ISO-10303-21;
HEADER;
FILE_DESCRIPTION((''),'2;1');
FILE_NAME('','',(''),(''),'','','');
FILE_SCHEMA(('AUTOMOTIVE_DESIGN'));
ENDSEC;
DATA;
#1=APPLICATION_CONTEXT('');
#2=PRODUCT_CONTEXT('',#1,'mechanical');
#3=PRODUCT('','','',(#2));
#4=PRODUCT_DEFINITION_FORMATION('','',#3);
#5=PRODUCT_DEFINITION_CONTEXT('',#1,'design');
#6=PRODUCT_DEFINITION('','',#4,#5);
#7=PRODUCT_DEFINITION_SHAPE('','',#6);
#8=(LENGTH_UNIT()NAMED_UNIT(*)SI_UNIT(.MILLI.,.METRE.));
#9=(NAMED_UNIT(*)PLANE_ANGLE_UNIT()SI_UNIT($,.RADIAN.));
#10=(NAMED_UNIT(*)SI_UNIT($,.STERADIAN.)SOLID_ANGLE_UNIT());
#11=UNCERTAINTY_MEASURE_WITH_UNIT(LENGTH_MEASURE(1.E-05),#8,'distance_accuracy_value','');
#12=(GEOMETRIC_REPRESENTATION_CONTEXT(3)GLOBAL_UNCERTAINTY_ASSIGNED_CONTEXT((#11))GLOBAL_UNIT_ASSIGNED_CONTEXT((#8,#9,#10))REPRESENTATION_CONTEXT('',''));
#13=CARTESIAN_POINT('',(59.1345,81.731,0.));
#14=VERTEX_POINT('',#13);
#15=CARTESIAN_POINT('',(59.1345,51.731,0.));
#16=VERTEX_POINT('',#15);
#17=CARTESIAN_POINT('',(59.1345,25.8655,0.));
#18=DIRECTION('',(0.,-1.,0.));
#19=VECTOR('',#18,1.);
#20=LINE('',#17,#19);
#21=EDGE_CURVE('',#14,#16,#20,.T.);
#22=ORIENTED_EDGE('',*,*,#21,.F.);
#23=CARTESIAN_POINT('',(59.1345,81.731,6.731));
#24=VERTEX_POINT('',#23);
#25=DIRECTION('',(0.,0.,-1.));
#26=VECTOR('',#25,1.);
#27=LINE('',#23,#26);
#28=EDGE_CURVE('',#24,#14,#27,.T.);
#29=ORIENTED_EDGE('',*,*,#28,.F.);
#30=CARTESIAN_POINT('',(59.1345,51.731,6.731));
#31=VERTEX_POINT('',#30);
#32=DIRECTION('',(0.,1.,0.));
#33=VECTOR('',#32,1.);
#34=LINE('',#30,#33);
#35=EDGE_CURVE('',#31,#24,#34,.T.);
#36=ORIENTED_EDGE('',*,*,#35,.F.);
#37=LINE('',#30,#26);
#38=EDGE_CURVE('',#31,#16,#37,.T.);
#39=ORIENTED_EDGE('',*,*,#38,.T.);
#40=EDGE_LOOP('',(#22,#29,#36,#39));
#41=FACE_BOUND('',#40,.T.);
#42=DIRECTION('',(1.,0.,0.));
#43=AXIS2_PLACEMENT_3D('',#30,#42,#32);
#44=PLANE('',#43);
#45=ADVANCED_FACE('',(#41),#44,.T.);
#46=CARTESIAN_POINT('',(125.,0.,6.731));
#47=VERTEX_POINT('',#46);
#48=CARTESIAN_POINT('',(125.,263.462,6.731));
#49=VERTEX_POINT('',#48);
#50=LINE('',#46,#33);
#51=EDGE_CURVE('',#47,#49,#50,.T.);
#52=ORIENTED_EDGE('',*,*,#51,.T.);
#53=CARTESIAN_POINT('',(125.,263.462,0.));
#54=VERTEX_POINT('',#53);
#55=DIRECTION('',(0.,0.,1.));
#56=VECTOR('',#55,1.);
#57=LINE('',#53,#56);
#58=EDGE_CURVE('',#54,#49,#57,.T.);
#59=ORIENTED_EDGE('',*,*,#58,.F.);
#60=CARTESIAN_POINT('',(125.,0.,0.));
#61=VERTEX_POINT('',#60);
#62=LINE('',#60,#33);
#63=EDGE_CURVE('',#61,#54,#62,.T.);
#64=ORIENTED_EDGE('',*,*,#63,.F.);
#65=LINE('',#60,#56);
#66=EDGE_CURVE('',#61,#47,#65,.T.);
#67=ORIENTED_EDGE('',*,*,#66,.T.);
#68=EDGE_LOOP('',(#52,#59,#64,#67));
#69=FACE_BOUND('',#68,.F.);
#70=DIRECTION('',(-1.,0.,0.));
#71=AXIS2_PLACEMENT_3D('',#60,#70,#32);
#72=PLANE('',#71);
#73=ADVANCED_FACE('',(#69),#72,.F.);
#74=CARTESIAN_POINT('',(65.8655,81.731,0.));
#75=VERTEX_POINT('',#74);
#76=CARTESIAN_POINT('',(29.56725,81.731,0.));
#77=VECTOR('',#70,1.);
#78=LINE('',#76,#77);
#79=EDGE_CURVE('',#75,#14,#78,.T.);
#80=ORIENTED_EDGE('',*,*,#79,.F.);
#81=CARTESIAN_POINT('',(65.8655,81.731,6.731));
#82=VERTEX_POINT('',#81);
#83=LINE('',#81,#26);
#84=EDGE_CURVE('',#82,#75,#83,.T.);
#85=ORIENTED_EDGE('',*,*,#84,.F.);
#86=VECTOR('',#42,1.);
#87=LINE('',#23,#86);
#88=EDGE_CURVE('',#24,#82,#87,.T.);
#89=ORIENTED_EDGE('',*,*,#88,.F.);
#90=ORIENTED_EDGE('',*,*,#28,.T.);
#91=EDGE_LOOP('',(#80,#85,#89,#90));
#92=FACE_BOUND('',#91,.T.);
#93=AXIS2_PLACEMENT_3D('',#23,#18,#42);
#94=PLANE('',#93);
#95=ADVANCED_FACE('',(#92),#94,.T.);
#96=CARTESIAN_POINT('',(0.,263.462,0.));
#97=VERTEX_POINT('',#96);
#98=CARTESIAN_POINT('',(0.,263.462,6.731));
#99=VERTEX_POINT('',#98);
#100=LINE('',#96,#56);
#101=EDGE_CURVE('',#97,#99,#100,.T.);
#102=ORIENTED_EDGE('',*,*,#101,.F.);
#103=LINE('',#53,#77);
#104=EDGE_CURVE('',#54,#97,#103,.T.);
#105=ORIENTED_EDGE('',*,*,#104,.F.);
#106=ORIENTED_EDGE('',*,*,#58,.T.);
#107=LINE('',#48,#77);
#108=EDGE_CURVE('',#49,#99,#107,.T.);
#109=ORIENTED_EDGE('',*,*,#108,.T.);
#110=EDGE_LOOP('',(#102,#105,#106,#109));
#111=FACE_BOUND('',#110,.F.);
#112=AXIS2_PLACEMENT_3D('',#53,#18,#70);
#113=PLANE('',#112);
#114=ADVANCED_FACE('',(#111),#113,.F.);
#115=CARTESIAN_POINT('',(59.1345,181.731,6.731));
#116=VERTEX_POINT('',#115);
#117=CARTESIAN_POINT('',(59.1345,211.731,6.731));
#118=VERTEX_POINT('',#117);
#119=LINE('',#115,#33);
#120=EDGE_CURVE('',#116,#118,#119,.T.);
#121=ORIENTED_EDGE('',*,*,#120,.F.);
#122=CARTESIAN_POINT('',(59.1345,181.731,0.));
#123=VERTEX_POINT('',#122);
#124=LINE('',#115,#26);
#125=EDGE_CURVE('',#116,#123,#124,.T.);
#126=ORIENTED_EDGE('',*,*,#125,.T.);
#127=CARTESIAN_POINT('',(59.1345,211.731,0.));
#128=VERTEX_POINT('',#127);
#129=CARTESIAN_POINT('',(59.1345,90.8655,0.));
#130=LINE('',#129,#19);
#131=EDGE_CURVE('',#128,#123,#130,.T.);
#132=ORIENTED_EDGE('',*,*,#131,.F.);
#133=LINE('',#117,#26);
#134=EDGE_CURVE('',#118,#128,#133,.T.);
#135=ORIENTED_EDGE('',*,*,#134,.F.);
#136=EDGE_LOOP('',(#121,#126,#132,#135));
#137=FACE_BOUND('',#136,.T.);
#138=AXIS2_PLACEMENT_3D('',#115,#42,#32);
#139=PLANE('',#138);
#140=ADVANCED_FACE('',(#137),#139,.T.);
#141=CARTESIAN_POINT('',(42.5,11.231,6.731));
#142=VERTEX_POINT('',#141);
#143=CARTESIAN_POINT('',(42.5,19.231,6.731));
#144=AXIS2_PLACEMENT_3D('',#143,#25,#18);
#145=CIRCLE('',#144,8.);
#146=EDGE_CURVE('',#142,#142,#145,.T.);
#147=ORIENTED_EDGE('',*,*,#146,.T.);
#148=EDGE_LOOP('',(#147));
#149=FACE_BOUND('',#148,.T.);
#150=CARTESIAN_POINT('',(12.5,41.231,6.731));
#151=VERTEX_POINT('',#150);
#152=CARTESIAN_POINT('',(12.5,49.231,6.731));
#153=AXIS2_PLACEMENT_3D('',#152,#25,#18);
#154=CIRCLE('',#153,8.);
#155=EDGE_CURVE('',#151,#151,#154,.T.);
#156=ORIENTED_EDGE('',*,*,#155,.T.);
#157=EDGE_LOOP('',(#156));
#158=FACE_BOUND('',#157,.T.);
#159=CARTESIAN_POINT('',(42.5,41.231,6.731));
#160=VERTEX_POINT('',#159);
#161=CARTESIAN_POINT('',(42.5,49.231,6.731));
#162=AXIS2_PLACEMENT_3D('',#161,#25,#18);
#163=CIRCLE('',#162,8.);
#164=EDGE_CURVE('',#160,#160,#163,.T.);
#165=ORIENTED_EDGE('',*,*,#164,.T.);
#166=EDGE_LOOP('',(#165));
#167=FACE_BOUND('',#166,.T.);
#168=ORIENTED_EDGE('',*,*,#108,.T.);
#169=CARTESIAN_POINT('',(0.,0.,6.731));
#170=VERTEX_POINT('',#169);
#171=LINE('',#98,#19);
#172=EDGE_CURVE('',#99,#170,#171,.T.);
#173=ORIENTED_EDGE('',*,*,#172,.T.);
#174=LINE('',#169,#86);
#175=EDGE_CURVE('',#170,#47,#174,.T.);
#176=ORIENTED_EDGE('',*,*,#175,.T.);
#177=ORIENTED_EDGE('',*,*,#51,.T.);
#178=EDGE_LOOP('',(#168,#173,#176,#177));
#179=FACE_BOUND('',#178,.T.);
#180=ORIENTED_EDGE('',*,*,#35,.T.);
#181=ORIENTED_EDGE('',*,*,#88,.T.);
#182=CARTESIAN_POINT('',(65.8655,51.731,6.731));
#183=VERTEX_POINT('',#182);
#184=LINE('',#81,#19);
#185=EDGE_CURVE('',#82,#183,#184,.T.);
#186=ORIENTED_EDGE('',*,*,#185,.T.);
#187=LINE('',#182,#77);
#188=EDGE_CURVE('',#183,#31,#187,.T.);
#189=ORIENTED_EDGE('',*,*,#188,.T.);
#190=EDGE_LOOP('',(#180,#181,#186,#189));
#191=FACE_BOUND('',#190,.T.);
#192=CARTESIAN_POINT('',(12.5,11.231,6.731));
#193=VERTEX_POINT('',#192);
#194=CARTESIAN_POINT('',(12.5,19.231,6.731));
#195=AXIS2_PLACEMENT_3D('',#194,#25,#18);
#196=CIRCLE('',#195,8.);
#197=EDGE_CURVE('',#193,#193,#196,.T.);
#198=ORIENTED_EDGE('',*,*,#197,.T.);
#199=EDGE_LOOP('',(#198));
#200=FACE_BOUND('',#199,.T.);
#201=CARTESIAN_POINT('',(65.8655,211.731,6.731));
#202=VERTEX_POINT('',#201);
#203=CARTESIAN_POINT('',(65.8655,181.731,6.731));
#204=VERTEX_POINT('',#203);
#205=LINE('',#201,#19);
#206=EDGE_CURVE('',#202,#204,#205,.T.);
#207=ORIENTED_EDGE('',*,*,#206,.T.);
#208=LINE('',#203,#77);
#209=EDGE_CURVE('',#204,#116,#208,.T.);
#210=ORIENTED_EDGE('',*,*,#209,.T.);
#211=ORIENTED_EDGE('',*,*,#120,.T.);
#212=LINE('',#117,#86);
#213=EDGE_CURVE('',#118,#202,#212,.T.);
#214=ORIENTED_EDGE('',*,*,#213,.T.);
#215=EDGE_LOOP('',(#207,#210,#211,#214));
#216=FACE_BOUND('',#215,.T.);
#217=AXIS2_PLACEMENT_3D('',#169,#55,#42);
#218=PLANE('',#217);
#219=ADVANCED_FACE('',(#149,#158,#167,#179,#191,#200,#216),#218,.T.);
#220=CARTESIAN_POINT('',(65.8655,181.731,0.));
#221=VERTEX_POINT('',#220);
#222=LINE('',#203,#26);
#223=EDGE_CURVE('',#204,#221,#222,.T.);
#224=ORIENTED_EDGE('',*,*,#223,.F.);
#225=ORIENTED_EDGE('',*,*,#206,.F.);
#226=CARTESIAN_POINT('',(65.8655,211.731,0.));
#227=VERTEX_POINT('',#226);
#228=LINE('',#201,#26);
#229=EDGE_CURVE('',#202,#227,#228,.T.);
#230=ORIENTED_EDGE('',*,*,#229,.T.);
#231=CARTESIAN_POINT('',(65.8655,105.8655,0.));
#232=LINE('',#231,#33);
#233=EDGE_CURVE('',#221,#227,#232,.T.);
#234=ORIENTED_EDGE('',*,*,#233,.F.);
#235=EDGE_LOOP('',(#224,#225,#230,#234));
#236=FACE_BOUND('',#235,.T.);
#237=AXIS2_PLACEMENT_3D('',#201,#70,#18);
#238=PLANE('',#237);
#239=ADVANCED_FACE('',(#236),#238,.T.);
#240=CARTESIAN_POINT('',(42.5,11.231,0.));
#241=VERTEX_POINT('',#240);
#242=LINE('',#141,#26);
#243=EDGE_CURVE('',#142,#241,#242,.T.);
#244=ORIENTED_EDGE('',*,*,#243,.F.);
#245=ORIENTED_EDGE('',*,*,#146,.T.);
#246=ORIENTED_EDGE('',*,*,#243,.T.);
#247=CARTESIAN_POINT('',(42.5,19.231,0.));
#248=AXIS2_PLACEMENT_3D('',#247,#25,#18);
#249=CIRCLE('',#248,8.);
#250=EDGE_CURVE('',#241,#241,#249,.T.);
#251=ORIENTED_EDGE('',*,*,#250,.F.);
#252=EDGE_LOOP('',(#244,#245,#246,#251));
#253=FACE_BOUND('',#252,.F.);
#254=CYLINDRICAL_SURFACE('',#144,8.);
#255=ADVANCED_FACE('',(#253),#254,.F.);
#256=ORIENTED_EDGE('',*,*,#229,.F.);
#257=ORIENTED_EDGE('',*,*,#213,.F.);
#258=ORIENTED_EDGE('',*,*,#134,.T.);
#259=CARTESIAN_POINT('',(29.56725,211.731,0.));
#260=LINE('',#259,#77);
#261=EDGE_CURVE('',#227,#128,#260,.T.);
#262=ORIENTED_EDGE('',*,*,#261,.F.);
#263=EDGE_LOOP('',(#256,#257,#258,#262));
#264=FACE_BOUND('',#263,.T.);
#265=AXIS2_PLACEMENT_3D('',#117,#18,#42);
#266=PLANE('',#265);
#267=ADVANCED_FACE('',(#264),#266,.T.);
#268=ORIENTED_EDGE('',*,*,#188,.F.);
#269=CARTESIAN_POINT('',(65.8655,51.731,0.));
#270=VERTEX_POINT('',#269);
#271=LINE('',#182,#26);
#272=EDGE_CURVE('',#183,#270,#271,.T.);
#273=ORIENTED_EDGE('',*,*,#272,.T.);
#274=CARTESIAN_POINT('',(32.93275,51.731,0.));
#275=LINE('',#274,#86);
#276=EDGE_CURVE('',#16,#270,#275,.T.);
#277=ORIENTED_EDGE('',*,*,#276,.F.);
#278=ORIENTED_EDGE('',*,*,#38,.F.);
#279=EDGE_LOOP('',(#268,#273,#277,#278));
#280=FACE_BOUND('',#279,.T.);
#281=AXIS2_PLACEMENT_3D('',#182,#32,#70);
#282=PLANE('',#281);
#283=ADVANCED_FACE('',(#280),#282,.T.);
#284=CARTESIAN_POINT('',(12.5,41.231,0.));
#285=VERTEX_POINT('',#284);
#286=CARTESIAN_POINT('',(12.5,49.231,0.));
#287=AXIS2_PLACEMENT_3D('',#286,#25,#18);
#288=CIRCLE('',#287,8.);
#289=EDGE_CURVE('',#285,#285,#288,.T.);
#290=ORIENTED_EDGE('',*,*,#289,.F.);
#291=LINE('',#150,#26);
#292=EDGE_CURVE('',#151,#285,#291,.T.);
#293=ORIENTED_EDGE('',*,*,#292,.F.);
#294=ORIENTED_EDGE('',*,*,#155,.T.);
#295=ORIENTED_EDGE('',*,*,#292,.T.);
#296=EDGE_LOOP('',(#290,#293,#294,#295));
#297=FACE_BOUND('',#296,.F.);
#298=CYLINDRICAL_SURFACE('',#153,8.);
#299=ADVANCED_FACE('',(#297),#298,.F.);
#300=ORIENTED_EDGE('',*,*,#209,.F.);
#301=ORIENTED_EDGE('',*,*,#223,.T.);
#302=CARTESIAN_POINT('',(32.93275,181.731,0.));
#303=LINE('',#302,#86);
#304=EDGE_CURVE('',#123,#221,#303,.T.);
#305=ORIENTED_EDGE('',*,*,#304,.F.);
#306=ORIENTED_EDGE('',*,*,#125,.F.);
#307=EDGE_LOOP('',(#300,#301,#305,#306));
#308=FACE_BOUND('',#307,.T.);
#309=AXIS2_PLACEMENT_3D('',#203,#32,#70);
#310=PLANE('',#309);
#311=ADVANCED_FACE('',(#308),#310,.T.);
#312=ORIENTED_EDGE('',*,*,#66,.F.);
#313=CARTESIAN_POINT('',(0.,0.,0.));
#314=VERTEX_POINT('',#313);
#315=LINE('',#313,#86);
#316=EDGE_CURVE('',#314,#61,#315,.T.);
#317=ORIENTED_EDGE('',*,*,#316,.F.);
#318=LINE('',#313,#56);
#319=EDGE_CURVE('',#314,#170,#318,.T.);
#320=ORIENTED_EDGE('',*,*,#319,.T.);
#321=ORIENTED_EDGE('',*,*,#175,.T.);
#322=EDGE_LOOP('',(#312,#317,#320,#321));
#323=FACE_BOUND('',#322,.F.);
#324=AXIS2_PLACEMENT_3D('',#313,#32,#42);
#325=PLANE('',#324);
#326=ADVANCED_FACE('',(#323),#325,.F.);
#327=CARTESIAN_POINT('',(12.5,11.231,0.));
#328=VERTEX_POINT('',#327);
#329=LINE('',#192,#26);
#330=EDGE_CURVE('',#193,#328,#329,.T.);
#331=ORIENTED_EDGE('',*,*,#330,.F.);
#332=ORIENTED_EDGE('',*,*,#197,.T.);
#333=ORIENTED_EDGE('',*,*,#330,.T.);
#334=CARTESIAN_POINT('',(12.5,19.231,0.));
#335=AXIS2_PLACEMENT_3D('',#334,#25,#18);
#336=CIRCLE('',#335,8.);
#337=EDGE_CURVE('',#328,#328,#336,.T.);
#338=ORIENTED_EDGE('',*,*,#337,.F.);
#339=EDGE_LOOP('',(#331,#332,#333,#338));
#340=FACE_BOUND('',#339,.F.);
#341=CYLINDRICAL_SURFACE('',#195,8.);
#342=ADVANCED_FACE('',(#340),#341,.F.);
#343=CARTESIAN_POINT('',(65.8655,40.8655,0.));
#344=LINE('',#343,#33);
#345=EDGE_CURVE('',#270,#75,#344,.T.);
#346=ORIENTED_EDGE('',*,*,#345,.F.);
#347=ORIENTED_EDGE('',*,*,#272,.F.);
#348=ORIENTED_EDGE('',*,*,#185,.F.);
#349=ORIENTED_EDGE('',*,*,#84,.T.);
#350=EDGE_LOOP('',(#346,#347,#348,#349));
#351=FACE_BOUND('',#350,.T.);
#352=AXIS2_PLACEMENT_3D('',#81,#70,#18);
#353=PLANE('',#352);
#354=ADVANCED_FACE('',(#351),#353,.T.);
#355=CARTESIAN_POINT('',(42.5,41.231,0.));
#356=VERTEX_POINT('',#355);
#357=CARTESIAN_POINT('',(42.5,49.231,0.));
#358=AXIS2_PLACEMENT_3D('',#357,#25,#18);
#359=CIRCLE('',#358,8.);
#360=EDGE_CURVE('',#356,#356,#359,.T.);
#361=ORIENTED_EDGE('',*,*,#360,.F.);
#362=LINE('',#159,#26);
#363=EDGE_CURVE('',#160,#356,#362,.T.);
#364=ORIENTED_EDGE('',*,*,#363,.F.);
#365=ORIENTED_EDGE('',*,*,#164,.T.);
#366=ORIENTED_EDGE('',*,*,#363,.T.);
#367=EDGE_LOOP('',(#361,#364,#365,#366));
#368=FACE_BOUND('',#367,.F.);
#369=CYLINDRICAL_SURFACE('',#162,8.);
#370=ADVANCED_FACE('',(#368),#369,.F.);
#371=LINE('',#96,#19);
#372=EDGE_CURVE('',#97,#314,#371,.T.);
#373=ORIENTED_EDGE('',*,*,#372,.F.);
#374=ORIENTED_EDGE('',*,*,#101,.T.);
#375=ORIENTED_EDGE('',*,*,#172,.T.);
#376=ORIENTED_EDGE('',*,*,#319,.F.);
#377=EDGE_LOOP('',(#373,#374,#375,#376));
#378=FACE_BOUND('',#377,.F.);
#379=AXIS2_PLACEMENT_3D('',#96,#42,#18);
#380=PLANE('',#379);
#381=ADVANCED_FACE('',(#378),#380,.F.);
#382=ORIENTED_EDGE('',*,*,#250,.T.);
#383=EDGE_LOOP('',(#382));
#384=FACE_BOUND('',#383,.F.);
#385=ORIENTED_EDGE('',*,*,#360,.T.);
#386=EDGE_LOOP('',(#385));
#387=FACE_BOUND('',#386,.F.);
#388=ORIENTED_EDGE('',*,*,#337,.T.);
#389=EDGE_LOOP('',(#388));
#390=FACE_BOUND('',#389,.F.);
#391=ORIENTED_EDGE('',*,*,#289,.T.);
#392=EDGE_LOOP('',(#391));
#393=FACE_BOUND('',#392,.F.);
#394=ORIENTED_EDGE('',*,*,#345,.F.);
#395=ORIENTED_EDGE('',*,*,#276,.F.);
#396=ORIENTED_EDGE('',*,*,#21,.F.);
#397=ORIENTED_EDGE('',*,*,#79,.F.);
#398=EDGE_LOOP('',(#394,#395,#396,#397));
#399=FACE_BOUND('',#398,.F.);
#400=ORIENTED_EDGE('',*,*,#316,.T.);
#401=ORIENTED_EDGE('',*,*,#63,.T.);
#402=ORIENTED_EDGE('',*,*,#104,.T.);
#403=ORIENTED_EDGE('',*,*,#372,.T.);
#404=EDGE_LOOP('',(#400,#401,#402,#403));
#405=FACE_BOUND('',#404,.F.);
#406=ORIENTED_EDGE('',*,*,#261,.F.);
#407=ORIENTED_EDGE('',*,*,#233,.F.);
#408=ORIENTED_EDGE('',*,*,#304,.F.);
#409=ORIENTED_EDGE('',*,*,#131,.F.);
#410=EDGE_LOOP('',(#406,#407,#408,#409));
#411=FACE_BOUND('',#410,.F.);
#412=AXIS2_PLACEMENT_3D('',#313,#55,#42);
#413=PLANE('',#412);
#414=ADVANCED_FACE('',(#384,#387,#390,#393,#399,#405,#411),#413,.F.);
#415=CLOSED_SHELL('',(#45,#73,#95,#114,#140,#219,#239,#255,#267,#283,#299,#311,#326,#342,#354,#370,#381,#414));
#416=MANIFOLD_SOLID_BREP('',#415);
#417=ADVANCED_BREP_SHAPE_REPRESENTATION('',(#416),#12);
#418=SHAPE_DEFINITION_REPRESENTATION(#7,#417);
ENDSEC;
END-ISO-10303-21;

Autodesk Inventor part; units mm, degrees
ref_plane "YZ Plane" through (0, 0, 0) normal (1, 0, 0) x (0, 1, 0)
ref_plane "XZ Plane" through (0, 0, 0) normal (0, 1, 0) x (-1, 0, 0)
ref_plane "XY Plane" through (0, 0, 0) normal (0, 0, 1) x (1, 0, 0)
sketch "Sketch1" plane through (0, 0, 0) normal (0, 0, 1) x (1, 0, 0)
  line L0 (0, 0) -> (125, 0)
  line L1 (125, 0) -> (125, 263.462)
  line L2 (125, 263.462) -> (0, 263.462)
  line L3 (0, 263.462) -> (0, 0)
  dimension "d0" = 263.462
  dimension "d1" = 125
extrude "Extrusion1" add sketch "Sketch1" along normal blind 6.731
sketch "Sketch2" plane through (0, 0, 6.731) normal (0, 0, 1) x (1, 0, 0)
  line L0 (125, 263.462) -> (0, 263.462) projected
  line L1 (0, 263.462) -> (0, 0) projected
  line L2 (59.1345, 211.731) -> (65.8655, 211.731)
  line L3 (65.8655, 211.731) -> (65.8655, 181.731)
  line L4 (65.8655, 181.731) -> (59.1345, 181.731)
  line L5 (59.1345, 181.731) -> (59.1345, 211.731)
  line L6 (59.1345, 81.731) -> (65.8655, 81.731)
  line L7 (65.8655, 81.731) -> (65.8655, 51.731)
  line L8 (65.8655, 51.731) -> (59.1345, 51.731)
  line L9 (59.1345, 51.731) -> (59.1345, 81.731)
  line L10 (62.5, 81.731) -> (62.5, 181.731) construction
  point P0 (62.5, 131.731)
  point P1 (0, 131.731)
  point P2 (62.5, 263.462)
  dimension "d4" = 30
  dimension "d5" = 100
  dimension "d6" = 6.731
extrude "Extrusion2" cut sketch "Sketch2" against normal up to next
sketch "Sketch3" plane through (0, 0, 6.731) normal (0, 0, 1) x (1, 0, 0)
  line L0 (0, 263.462) -> (0, 0) projected
  line L1 (12.5, 19.231) -> (12.5, 49.231) construction
  line L2 (12.5, 49.231) -> (42.5, 49.231) construction
  line L3 (0, 0) -> (125, 0) projected
  point P0 (42.5, 19.231)
  dimension "d9" = 30
  dimension "d10" = 12.5
  dimension "d18" = 19.231
hole "Hole1" at (12.5, 49.231, 6.731) at (42.5, 49.231, 6.731) at (42.5, 19.231, 6.731) at (12.5, 19.231, 6.731) direction (0, 0, -1) diameter 16 end through all
equation "\"d2\" = THICKB"
equation "\"d6\" = THICKB"
equation "\"d7\" = THICKB"
equation "\"d18\" = THICKB + d10"
equation "\"THICKA\" = 3.175"
equation "\"THICKB\" = 6.731"
equation "\"THICKC\" = 12.7"
equation "\"THICKPLY\" = 5"
equation "\"MAGDIA\" = 9.5"
equation "\"BALLDIA\" = 12"
properties part number "Top"
